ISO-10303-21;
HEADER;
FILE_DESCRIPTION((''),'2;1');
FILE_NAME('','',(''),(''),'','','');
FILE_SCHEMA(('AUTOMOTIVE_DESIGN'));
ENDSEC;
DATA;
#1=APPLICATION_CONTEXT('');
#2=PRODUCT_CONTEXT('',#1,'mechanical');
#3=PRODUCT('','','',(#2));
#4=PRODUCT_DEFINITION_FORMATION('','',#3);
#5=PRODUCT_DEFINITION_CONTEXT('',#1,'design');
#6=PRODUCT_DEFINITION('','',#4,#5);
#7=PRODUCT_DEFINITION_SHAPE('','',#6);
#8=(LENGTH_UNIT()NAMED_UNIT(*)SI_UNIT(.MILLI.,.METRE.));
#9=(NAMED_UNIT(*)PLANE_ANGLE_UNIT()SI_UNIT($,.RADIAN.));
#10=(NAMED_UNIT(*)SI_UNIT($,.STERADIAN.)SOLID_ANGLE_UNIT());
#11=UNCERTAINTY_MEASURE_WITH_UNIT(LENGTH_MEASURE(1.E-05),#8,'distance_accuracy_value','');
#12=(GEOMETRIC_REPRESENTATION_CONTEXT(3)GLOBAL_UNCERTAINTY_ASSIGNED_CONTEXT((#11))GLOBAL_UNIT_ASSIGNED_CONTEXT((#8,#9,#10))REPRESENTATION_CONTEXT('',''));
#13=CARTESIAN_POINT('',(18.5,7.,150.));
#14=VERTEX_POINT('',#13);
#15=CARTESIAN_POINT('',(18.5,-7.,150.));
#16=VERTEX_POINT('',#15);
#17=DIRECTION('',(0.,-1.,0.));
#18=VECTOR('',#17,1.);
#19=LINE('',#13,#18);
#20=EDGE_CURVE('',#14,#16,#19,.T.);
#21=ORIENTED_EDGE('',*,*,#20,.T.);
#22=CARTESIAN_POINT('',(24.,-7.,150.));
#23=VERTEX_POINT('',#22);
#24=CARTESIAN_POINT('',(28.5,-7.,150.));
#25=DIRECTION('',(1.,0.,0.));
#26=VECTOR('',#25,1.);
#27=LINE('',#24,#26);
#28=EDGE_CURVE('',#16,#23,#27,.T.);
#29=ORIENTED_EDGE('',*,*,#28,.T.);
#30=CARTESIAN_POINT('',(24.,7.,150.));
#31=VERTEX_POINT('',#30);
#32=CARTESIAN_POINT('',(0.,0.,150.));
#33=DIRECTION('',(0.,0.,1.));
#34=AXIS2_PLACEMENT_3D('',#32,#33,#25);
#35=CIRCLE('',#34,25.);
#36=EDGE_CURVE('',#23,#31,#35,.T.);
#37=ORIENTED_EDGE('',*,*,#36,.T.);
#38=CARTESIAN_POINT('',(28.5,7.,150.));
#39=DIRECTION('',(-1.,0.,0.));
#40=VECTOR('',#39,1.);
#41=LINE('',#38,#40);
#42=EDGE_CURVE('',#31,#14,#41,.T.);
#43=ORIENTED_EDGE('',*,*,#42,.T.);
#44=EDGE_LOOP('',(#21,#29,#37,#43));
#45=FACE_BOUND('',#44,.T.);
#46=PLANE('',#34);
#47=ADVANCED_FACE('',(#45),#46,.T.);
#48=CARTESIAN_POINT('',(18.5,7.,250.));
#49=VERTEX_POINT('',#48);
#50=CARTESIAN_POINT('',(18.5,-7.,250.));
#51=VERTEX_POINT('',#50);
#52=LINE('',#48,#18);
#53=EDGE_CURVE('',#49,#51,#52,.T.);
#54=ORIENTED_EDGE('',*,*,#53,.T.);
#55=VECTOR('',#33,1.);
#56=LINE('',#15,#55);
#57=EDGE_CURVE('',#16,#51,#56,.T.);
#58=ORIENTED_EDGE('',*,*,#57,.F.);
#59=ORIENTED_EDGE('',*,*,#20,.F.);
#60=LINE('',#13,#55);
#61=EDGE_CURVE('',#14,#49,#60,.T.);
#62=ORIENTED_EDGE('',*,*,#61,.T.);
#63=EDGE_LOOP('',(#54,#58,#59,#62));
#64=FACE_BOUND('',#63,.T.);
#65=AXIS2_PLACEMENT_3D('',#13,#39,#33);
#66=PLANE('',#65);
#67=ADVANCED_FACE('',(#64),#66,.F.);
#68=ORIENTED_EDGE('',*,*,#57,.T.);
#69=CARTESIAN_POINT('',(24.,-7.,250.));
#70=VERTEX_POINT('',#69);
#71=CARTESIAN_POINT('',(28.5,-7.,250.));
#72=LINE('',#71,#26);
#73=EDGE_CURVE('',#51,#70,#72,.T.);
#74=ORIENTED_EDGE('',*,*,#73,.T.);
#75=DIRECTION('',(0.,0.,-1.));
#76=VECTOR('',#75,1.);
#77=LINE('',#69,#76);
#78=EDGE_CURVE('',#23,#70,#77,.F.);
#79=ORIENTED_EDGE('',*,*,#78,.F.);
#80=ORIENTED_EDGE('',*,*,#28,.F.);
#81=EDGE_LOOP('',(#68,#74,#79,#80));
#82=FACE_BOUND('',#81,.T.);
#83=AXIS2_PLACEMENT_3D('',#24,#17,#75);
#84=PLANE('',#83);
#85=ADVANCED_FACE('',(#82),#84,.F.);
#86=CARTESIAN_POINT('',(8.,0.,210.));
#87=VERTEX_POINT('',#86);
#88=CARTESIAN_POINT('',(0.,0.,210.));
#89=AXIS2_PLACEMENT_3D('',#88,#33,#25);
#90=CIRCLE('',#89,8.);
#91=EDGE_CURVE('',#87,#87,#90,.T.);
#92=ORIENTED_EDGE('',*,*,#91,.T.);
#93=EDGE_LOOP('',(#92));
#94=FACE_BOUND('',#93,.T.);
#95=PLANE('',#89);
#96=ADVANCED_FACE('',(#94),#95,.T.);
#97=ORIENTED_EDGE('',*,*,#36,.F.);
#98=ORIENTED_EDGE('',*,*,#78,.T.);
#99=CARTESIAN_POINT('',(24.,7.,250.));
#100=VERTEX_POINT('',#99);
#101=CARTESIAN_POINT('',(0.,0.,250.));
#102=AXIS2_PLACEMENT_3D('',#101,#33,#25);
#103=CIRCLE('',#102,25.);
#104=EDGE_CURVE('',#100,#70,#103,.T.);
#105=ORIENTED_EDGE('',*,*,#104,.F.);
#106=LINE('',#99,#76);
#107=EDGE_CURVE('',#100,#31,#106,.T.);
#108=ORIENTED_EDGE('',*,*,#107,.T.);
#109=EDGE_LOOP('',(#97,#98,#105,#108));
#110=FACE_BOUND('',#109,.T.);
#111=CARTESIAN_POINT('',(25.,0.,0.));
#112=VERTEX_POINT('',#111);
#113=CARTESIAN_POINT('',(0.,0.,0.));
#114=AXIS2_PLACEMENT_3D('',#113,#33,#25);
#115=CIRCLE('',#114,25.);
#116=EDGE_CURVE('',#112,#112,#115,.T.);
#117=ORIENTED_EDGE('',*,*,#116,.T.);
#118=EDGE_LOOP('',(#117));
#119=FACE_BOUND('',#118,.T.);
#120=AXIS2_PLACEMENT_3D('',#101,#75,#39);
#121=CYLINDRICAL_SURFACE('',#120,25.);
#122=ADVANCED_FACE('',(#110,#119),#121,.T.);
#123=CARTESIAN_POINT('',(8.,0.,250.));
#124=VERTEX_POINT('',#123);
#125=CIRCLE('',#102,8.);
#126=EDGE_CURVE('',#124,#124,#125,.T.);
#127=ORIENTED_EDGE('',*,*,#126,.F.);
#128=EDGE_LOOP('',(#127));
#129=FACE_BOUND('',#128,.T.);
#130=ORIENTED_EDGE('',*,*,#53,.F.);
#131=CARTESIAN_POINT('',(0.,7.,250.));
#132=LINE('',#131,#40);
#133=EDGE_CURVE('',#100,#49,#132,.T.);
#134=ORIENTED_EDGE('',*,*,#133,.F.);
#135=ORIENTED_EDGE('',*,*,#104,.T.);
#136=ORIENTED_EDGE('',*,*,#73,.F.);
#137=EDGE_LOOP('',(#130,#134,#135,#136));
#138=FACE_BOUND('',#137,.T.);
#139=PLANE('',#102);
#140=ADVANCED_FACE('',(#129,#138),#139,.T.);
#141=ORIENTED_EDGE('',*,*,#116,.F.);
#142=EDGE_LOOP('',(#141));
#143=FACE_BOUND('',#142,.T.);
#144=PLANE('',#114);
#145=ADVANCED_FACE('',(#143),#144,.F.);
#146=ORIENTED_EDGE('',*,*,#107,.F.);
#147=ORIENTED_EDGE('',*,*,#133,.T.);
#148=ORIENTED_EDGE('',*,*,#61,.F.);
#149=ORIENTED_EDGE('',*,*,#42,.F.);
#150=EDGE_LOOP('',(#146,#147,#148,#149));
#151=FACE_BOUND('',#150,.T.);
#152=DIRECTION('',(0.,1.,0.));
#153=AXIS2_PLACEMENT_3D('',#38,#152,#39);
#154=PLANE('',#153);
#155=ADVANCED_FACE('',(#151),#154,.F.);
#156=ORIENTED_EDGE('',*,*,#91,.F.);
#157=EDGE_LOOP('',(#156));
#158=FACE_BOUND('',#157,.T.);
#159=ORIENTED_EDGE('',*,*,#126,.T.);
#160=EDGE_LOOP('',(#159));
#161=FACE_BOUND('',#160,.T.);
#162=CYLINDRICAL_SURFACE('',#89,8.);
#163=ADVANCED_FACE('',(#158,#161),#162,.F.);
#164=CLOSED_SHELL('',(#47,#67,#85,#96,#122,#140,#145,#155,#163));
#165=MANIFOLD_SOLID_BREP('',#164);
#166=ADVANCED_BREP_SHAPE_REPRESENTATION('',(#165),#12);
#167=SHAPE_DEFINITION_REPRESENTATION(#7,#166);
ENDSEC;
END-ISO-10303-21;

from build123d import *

# Parameters (mm, degrees)
SKETCH_1_R          = 25
EXTRUDE_1_DEPTH     = 250
SKETCH_2_W          = 14
SKETCH_2_H          = 10
CUT_EXTRUDE_1_DEPTH = 100
SKETCH_3_R          = 8
CUT_EXTRUDE_2_DEPTH = 40


with BuildPart() as part:
    # 草图1 → 凸台-拉伸1 (new body)
    with BuildSketch(Plane(origin=(0, 0, 0), x_dir=(0, -1, 0), z_dir=(0, 0, 1))):
        with Locations(Location((0, 0, 0), (0, 0, 90))):
            Circle(SKETCH_1_R)
    extrude(amount=EXTRUDE_1_DEPTH)

    # 草图2 → 切除-拉伸1 (cut)
    with BuildSketch(Plane(origin=(0, 0, 250), x_dir=(0, -1, 0), z_dir=(0, 0, 1))):
        with Locations((0, 23.5)):
            Rectangle(SKETCH_2_W, SKETCH_2_H)
    extrude(amount=-CUT_EXTRUDE_1_DEPTH, mode=Mode.SUBTRACT)

    # 草图3 → 切除-拉伸2 (cut)
    with BuildSketch(Plane.XY.offset(250)):
        Circle(SKETCH_3_R)
    extrude(amount=-CUT_EXTRUDE_2_DEPTH, mode=Mode.SUBTRACT)


solid = part.part
